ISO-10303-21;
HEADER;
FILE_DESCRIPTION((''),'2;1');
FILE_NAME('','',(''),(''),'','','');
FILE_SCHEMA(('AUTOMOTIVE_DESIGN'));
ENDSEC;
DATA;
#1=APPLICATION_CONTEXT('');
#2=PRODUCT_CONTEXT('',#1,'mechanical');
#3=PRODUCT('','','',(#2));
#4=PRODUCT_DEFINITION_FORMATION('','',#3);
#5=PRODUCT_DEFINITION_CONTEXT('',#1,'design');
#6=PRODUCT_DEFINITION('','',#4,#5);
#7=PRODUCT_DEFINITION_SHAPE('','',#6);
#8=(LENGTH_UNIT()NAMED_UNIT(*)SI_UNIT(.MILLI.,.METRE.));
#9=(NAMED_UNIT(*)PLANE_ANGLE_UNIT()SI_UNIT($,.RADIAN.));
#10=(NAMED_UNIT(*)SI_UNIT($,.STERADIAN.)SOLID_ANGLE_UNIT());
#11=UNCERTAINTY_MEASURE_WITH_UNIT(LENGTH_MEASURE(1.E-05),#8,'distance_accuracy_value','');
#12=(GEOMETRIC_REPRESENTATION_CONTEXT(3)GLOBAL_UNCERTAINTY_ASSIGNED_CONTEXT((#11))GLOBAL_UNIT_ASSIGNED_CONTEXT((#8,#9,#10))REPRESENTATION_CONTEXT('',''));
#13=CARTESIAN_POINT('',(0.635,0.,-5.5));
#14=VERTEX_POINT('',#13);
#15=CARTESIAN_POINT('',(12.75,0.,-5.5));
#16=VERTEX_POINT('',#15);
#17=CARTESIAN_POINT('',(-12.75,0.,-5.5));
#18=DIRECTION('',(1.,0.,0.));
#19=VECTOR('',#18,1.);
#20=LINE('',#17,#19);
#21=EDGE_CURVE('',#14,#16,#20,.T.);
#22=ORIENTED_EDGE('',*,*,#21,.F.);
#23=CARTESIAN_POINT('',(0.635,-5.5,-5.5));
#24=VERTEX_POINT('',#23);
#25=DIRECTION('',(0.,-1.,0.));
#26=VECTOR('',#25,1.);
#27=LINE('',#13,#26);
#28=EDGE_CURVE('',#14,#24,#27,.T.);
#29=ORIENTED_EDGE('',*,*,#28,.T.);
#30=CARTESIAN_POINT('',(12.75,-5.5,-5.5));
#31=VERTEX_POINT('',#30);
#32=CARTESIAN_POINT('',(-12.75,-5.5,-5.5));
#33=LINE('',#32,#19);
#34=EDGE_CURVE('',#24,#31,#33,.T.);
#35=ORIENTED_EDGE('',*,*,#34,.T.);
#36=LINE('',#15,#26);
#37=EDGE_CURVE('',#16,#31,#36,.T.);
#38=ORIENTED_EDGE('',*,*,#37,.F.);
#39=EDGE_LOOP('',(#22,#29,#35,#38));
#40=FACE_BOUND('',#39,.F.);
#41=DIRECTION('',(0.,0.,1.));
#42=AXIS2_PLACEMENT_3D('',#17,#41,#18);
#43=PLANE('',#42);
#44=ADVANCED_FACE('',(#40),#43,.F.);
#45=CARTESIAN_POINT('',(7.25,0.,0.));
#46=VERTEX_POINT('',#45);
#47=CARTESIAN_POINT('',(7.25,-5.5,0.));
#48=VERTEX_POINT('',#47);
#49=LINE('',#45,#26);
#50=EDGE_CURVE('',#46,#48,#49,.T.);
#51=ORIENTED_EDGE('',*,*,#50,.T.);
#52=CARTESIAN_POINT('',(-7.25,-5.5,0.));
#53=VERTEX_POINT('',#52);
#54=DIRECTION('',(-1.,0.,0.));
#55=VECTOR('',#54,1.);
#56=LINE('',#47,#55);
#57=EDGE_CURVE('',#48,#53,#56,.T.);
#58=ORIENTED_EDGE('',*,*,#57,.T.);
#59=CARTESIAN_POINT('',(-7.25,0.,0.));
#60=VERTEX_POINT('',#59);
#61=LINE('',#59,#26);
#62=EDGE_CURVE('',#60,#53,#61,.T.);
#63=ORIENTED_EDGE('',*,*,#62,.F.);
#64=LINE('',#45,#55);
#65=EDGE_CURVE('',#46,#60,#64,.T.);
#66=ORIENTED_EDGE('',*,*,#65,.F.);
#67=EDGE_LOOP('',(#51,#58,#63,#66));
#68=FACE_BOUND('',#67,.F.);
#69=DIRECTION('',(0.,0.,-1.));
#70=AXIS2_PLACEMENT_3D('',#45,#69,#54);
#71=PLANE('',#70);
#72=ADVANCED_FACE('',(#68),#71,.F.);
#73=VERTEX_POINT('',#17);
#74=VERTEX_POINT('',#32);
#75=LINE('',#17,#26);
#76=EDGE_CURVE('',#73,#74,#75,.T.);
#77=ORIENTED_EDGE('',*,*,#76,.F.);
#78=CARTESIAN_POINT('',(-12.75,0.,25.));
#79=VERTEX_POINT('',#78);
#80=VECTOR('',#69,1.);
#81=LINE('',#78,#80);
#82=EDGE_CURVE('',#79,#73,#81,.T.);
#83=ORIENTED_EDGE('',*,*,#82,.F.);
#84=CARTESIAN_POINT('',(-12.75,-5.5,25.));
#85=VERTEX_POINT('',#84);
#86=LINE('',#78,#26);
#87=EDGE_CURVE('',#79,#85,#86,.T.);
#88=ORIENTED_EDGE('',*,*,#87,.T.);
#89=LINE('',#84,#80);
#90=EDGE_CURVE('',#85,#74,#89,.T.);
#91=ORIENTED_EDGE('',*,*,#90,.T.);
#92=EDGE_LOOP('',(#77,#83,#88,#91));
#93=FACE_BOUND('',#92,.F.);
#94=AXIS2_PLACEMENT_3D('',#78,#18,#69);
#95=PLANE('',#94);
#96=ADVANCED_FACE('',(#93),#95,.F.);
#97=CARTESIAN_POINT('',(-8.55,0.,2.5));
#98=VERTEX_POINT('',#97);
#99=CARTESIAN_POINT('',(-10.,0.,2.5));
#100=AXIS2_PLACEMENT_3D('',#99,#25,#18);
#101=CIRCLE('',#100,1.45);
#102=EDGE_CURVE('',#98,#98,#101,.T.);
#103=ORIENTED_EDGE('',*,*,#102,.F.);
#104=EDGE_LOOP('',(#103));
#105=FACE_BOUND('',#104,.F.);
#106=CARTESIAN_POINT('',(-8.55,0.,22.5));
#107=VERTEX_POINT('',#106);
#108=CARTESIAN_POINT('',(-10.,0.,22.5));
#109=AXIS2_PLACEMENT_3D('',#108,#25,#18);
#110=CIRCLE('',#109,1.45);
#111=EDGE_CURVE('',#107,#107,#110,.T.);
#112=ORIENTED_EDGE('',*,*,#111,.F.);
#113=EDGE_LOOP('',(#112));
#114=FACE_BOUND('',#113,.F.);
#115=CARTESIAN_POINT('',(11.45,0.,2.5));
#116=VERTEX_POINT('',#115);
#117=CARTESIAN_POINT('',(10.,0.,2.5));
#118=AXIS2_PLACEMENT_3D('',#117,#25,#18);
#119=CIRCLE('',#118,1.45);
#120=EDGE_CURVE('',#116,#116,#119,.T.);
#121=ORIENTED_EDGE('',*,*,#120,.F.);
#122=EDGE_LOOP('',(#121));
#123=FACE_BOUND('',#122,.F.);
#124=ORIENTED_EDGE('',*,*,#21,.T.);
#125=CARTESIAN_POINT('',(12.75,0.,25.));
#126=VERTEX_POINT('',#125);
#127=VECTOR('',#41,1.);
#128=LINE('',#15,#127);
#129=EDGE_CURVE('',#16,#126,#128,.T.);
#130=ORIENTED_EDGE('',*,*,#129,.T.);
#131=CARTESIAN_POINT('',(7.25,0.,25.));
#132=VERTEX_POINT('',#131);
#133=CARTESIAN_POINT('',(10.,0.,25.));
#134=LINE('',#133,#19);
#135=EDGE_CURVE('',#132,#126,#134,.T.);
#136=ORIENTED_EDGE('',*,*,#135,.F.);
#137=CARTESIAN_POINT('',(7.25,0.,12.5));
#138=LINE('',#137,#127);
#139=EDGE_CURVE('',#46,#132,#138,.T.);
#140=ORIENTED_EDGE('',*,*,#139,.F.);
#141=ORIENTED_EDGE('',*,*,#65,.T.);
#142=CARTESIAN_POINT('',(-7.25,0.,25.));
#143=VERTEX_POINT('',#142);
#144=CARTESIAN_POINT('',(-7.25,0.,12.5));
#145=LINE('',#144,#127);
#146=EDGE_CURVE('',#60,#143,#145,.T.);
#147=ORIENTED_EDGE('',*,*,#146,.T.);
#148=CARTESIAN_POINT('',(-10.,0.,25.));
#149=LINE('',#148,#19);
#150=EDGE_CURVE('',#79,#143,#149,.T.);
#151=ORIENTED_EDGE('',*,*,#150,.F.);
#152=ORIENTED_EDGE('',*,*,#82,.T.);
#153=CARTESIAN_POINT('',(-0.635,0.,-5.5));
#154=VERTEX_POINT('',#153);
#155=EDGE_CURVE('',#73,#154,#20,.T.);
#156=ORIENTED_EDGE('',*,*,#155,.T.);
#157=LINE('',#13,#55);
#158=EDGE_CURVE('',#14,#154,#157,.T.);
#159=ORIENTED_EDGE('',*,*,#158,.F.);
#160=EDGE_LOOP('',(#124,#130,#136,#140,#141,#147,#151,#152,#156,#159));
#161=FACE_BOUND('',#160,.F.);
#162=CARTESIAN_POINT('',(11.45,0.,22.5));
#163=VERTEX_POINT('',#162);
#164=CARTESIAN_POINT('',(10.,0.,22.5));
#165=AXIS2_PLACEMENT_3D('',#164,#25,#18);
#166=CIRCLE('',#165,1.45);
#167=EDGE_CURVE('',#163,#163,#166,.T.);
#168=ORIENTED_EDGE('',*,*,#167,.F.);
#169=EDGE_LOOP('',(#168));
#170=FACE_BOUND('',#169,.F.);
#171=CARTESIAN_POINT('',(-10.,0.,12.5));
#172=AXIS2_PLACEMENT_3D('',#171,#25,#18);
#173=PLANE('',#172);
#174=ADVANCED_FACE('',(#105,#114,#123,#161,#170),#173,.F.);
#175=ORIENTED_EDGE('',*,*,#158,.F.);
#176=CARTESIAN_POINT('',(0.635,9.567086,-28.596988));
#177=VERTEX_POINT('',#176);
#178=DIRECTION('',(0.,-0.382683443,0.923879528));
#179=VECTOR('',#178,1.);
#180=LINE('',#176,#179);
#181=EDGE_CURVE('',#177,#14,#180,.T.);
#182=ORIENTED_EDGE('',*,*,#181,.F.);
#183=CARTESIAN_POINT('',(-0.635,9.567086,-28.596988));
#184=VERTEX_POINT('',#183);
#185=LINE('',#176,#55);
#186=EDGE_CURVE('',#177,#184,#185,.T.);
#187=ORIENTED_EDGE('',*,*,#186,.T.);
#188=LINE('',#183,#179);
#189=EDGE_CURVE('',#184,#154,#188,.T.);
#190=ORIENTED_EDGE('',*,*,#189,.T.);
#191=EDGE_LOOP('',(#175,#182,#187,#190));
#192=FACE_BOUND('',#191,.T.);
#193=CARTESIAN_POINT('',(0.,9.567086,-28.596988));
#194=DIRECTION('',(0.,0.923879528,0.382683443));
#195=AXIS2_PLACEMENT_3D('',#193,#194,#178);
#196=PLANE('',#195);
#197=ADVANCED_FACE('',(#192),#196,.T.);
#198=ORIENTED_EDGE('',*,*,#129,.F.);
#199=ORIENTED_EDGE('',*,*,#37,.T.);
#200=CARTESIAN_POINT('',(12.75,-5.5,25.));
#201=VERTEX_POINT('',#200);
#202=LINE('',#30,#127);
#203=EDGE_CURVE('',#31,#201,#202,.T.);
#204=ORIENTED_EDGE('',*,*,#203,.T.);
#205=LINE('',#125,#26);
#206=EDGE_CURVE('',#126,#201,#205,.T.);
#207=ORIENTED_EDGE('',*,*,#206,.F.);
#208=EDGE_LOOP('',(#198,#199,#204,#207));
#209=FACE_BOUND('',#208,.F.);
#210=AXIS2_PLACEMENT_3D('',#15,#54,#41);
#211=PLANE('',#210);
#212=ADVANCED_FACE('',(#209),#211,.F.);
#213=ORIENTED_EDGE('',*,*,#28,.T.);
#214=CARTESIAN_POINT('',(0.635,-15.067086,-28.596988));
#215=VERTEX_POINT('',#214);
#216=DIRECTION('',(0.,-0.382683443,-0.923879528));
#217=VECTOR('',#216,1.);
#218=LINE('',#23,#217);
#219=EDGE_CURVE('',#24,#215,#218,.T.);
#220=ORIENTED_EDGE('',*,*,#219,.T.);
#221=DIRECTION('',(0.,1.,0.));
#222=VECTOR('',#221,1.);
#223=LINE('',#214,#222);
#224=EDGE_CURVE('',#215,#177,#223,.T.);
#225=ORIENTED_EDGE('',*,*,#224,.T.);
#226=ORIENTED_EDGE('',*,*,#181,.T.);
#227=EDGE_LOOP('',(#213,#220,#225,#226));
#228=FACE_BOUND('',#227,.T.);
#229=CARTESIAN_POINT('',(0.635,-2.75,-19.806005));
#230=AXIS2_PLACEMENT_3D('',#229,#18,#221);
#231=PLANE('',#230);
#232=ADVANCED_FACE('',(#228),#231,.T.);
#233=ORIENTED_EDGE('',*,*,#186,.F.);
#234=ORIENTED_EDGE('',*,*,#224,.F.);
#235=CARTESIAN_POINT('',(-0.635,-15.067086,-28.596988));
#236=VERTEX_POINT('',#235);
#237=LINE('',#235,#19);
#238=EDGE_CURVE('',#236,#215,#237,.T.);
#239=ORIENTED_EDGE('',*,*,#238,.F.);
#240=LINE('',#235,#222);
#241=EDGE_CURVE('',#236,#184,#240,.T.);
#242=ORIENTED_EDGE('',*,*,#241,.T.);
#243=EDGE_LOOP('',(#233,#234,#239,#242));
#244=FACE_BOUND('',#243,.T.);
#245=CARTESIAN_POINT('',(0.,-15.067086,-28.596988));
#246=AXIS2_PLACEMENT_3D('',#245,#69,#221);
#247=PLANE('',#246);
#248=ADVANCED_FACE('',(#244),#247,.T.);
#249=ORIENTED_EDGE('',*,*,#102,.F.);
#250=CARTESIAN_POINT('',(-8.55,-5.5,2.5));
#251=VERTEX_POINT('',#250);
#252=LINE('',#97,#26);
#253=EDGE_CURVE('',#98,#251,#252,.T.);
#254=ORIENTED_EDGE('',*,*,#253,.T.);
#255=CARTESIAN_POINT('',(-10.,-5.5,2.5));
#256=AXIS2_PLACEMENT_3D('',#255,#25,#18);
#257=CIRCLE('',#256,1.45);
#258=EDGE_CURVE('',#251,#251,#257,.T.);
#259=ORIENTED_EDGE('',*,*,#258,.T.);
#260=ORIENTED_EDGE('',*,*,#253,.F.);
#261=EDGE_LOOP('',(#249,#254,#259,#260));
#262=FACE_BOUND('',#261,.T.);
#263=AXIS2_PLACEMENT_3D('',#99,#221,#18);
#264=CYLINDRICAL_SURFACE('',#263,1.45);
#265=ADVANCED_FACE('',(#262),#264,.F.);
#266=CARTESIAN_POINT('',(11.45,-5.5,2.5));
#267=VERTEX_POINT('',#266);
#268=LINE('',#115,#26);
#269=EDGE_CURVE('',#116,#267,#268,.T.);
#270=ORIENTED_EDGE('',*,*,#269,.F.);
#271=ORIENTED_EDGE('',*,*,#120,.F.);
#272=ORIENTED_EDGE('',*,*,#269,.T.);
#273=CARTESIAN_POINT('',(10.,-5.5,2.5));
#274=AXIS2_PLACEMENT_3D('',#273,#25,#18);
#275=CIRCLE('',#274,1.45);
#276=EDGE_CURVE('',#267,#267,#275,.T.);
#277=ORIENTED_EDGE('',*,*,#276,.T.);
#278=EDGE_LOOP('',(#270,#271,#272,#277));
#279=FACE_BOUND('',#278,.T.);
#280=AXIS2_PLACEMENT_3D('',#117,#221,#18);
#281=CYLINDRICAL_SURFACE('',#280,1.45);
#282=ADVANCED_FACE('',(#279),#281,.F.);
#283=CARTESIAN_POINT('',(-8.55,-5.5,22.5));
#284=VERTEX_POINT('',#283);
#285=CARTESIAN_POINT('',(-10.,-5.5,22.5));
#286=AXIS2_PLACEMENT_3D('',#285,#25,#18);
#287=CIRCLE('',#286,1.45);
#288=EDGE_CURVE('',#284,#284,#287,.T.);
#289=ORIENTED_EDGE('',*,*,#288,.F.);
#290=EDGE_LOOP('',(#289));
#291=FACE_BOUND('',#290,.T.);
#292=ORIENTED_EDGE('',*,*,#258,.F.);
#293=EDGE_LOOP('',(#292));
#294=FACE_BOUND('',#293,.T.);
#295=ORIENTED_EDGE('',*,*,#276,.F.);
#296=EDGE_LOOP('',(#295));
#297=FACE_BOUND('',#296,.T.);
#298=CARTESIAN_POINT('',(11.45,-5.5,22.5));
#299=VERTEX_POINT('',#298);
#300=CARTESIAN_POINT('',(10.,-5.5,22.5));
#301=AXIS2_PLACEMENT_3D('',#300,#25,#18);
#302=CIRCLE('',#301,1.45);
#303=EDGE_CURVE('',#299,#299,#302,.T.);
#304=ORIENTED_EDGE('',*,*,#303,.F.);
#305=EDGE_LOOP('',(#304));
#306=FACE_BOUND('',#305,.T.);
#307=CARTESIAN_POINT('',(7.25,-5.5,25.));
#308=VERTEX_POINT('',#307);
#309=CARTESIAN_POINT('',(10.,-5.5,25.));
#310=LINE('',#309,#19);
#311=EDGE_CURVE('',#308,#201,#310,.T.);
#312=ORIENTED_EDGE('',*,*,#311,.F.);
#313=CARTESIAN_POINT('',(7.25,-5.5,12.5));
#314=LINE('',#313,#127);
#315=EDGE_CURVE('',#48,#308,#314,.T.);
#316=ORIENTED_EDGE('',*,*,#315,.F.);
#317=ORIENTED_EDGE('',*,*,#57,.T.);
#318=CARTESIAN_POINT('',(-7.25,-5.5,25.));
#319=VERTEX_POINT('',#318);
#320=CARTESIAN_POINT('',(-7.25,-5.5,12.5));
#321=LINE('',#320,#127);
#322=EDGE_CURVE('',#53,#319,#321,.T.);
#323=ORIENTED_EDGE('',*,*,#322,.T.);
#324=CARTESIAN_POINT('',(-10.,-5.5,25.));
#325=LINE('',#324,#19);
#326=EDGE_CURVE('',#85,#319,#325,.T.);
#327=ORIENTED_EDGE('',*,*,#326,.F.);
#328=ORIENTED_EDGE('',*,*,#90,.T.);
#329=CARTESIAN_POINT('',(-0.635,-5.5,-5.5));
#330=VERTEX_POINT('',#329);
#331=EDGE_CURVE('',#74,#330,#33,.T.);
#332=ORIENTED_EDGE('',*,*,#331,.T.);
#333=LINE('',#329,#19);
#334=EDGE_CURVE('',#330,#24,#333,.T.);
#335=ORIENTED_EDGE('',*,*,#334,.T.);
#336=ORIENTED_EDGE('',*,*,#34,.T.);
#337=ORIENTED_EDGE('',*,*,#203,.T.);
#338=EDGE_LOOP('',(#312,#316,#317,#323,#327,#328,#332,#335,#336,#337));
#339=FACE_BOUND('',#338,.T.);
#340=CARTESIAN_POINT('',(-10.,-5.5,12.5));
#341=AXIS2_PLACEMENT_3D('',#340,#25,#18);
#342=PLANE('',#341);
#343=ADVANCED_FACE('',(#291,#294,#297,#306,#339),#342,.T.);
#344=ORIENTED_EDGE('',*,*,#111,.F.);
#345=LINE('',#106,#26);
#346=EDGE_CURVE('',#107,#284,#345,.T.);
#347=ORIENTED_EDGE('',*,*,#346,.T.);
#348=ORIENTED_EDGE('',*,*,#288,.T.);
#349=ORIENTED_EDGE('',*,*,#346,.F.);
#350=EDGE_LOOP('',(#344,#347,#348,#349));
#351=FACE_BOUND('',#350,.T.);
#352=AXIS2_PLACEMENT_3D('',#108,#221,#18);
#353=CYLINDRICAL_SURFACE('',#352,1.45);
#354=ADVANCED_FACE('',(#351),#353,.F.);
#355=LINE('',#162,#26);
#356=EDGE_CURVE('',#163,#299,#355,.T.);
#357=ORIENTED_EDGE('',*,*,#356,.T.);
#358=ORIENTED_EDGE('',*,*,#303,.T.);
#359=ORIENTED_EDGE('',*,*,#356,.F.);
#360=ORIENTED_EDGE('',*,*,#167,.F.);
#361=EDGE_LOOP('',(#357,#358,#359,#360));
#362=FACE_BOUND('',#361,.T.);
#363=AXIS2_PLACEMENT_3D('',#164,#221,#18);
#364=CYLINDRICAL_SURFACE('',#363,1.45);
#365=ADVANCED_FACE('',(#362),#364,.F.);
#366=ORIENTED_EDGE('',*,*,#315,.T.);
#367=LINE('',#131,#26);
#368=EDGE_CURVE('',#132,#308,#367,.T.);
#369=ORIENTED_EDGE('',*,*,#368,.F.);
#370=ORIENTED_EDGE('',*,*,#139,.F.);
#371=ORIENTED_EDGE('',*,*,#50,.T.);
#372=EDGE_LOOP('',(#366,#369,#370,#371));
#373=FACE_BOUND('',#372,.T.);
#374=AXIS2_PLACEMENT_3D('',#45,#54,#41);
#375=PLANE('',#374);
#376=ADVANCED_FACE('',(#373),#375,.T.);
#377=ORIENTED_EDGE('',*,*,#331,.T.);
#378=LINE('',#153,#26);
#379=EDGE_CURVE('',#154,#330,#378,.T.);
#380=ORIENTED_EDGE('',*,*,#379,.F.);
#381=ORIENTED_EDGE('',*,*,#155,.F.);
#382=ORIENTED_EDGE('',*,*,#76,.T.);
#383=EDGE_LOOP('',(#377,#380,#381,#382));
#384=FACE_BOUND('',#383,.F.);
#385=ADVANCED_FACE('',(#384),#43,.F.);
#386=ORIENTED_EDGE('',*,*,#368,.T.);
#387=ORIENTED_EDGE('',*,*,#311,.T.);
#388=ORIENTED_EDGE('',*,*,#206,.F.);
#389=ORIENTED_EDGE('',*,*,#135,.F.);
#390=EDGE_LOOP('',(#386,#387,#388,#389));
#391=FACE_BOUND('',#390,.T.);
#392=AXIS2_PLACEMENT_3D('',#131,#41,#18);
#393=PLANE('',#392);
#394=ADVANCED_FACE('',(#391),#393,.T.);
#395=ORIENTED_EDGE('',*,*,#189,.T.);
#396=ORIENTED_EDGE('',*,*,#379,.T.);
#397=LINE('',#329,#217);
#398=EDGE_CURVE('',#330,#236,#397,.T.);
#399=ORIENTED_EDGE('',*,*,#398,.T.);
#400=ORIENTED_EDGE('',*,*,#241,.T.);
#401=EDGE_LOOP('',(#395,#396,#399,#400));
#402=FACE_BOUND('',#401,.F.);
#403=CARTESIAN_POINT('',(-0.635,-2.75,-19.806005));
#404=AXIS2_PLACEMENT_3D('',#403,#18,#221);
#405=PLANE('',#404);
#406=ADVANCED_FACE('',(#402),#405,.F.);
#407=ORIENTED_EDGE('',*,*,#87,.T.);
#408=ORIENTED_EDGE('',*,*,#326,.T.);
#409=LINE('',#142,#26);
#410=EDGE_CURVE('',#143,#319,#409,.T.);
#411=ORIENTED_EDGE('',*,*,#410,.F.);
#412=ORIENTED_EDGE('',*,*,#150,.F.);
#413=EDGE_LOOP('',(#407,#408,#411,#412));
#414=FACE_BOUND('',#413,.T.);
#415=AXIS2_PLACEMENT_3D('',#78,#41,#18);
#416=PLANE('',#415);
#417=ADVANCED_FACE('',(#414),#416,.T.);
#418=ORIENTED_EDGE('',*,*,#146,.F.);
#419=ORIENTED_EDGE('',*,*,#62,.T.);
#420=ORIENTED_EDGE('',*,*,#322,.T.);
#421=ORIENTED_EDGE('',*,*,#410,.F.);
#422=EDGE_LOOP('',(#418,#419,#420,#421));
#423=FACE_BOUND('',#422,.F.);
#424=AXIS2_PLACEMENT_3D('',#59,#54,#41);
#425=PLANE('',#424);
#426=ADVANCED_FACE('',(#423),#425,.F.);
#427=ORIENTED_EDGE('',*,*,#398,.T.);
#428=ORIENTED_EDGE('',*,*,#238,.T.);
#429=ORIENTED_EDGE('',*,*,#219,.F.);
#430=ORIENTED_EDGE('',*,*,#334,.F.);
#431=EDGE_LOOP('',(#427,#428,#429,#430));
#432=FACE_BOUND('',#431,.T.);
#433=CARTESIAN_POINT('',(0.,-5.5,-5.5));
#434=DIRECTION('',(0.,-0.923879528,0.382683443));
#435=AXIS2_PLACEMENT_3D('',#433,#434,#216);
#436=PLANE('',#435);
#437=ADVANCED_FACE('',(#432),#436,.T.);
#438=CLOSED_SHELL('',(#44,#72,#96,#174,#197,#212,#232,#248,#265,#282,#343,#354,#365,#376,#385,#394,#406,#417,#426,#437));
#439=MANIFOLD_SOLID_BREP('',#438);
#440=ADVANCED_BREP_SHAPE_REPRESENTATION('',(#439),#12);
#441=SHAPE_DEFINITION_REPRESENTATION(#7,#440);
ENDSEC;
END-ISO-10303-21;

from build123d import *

# Parameters (mm, degrees)
F0_W     = 5.5
F0_H     = 25
F0_R     = 1.45
F1_DEPTH = 5.5
F3_DEPTH = 0.635


with BuildPart() as f1:
    # F0 (on Front) → F1 (new body)
    with BuildSketch(Plane.XZ):
        with Locations((-10, 12.5)):
            Rectangle(F0_W, F0_H)
        with Locations((-10, 2.5)):
            Circle(F0_R, mode=Mode.SUBTRACT)
        with Locations((-10, 22.5)):
            Circle(F0_R, mode=Mode.SUBTRACT)
        with Locations((10, 12.5)):
            Rectangle(F0_W, F0_H)
        with Locations((10, 2.5)):
            Circle(F0_R, mode=Mode.SUBTRACT)
        with Locations((10, 22.5)):
            Circle(F0_R, mode=Mode.SUBTRACT)
        Polygon((12.75, -5.5), (12.75, 0), (7.25, 0), (-7.25, 0), (-12.75, 0), (-12.75, -5.5), align=None)
    extrude(amount=F1_DEPTH)

    # F2 (on Right) → F3 (join, symmetric)
    with BuildSketch(Plane.YZ):
        Polygon((0, -5.5), (-5.5, -5.5), (-15.067086, -28.596988), (9.567086, -28.596988), align=None)
    extrude(amount=F3_DEPTH, both=True)


solid = f1.part
